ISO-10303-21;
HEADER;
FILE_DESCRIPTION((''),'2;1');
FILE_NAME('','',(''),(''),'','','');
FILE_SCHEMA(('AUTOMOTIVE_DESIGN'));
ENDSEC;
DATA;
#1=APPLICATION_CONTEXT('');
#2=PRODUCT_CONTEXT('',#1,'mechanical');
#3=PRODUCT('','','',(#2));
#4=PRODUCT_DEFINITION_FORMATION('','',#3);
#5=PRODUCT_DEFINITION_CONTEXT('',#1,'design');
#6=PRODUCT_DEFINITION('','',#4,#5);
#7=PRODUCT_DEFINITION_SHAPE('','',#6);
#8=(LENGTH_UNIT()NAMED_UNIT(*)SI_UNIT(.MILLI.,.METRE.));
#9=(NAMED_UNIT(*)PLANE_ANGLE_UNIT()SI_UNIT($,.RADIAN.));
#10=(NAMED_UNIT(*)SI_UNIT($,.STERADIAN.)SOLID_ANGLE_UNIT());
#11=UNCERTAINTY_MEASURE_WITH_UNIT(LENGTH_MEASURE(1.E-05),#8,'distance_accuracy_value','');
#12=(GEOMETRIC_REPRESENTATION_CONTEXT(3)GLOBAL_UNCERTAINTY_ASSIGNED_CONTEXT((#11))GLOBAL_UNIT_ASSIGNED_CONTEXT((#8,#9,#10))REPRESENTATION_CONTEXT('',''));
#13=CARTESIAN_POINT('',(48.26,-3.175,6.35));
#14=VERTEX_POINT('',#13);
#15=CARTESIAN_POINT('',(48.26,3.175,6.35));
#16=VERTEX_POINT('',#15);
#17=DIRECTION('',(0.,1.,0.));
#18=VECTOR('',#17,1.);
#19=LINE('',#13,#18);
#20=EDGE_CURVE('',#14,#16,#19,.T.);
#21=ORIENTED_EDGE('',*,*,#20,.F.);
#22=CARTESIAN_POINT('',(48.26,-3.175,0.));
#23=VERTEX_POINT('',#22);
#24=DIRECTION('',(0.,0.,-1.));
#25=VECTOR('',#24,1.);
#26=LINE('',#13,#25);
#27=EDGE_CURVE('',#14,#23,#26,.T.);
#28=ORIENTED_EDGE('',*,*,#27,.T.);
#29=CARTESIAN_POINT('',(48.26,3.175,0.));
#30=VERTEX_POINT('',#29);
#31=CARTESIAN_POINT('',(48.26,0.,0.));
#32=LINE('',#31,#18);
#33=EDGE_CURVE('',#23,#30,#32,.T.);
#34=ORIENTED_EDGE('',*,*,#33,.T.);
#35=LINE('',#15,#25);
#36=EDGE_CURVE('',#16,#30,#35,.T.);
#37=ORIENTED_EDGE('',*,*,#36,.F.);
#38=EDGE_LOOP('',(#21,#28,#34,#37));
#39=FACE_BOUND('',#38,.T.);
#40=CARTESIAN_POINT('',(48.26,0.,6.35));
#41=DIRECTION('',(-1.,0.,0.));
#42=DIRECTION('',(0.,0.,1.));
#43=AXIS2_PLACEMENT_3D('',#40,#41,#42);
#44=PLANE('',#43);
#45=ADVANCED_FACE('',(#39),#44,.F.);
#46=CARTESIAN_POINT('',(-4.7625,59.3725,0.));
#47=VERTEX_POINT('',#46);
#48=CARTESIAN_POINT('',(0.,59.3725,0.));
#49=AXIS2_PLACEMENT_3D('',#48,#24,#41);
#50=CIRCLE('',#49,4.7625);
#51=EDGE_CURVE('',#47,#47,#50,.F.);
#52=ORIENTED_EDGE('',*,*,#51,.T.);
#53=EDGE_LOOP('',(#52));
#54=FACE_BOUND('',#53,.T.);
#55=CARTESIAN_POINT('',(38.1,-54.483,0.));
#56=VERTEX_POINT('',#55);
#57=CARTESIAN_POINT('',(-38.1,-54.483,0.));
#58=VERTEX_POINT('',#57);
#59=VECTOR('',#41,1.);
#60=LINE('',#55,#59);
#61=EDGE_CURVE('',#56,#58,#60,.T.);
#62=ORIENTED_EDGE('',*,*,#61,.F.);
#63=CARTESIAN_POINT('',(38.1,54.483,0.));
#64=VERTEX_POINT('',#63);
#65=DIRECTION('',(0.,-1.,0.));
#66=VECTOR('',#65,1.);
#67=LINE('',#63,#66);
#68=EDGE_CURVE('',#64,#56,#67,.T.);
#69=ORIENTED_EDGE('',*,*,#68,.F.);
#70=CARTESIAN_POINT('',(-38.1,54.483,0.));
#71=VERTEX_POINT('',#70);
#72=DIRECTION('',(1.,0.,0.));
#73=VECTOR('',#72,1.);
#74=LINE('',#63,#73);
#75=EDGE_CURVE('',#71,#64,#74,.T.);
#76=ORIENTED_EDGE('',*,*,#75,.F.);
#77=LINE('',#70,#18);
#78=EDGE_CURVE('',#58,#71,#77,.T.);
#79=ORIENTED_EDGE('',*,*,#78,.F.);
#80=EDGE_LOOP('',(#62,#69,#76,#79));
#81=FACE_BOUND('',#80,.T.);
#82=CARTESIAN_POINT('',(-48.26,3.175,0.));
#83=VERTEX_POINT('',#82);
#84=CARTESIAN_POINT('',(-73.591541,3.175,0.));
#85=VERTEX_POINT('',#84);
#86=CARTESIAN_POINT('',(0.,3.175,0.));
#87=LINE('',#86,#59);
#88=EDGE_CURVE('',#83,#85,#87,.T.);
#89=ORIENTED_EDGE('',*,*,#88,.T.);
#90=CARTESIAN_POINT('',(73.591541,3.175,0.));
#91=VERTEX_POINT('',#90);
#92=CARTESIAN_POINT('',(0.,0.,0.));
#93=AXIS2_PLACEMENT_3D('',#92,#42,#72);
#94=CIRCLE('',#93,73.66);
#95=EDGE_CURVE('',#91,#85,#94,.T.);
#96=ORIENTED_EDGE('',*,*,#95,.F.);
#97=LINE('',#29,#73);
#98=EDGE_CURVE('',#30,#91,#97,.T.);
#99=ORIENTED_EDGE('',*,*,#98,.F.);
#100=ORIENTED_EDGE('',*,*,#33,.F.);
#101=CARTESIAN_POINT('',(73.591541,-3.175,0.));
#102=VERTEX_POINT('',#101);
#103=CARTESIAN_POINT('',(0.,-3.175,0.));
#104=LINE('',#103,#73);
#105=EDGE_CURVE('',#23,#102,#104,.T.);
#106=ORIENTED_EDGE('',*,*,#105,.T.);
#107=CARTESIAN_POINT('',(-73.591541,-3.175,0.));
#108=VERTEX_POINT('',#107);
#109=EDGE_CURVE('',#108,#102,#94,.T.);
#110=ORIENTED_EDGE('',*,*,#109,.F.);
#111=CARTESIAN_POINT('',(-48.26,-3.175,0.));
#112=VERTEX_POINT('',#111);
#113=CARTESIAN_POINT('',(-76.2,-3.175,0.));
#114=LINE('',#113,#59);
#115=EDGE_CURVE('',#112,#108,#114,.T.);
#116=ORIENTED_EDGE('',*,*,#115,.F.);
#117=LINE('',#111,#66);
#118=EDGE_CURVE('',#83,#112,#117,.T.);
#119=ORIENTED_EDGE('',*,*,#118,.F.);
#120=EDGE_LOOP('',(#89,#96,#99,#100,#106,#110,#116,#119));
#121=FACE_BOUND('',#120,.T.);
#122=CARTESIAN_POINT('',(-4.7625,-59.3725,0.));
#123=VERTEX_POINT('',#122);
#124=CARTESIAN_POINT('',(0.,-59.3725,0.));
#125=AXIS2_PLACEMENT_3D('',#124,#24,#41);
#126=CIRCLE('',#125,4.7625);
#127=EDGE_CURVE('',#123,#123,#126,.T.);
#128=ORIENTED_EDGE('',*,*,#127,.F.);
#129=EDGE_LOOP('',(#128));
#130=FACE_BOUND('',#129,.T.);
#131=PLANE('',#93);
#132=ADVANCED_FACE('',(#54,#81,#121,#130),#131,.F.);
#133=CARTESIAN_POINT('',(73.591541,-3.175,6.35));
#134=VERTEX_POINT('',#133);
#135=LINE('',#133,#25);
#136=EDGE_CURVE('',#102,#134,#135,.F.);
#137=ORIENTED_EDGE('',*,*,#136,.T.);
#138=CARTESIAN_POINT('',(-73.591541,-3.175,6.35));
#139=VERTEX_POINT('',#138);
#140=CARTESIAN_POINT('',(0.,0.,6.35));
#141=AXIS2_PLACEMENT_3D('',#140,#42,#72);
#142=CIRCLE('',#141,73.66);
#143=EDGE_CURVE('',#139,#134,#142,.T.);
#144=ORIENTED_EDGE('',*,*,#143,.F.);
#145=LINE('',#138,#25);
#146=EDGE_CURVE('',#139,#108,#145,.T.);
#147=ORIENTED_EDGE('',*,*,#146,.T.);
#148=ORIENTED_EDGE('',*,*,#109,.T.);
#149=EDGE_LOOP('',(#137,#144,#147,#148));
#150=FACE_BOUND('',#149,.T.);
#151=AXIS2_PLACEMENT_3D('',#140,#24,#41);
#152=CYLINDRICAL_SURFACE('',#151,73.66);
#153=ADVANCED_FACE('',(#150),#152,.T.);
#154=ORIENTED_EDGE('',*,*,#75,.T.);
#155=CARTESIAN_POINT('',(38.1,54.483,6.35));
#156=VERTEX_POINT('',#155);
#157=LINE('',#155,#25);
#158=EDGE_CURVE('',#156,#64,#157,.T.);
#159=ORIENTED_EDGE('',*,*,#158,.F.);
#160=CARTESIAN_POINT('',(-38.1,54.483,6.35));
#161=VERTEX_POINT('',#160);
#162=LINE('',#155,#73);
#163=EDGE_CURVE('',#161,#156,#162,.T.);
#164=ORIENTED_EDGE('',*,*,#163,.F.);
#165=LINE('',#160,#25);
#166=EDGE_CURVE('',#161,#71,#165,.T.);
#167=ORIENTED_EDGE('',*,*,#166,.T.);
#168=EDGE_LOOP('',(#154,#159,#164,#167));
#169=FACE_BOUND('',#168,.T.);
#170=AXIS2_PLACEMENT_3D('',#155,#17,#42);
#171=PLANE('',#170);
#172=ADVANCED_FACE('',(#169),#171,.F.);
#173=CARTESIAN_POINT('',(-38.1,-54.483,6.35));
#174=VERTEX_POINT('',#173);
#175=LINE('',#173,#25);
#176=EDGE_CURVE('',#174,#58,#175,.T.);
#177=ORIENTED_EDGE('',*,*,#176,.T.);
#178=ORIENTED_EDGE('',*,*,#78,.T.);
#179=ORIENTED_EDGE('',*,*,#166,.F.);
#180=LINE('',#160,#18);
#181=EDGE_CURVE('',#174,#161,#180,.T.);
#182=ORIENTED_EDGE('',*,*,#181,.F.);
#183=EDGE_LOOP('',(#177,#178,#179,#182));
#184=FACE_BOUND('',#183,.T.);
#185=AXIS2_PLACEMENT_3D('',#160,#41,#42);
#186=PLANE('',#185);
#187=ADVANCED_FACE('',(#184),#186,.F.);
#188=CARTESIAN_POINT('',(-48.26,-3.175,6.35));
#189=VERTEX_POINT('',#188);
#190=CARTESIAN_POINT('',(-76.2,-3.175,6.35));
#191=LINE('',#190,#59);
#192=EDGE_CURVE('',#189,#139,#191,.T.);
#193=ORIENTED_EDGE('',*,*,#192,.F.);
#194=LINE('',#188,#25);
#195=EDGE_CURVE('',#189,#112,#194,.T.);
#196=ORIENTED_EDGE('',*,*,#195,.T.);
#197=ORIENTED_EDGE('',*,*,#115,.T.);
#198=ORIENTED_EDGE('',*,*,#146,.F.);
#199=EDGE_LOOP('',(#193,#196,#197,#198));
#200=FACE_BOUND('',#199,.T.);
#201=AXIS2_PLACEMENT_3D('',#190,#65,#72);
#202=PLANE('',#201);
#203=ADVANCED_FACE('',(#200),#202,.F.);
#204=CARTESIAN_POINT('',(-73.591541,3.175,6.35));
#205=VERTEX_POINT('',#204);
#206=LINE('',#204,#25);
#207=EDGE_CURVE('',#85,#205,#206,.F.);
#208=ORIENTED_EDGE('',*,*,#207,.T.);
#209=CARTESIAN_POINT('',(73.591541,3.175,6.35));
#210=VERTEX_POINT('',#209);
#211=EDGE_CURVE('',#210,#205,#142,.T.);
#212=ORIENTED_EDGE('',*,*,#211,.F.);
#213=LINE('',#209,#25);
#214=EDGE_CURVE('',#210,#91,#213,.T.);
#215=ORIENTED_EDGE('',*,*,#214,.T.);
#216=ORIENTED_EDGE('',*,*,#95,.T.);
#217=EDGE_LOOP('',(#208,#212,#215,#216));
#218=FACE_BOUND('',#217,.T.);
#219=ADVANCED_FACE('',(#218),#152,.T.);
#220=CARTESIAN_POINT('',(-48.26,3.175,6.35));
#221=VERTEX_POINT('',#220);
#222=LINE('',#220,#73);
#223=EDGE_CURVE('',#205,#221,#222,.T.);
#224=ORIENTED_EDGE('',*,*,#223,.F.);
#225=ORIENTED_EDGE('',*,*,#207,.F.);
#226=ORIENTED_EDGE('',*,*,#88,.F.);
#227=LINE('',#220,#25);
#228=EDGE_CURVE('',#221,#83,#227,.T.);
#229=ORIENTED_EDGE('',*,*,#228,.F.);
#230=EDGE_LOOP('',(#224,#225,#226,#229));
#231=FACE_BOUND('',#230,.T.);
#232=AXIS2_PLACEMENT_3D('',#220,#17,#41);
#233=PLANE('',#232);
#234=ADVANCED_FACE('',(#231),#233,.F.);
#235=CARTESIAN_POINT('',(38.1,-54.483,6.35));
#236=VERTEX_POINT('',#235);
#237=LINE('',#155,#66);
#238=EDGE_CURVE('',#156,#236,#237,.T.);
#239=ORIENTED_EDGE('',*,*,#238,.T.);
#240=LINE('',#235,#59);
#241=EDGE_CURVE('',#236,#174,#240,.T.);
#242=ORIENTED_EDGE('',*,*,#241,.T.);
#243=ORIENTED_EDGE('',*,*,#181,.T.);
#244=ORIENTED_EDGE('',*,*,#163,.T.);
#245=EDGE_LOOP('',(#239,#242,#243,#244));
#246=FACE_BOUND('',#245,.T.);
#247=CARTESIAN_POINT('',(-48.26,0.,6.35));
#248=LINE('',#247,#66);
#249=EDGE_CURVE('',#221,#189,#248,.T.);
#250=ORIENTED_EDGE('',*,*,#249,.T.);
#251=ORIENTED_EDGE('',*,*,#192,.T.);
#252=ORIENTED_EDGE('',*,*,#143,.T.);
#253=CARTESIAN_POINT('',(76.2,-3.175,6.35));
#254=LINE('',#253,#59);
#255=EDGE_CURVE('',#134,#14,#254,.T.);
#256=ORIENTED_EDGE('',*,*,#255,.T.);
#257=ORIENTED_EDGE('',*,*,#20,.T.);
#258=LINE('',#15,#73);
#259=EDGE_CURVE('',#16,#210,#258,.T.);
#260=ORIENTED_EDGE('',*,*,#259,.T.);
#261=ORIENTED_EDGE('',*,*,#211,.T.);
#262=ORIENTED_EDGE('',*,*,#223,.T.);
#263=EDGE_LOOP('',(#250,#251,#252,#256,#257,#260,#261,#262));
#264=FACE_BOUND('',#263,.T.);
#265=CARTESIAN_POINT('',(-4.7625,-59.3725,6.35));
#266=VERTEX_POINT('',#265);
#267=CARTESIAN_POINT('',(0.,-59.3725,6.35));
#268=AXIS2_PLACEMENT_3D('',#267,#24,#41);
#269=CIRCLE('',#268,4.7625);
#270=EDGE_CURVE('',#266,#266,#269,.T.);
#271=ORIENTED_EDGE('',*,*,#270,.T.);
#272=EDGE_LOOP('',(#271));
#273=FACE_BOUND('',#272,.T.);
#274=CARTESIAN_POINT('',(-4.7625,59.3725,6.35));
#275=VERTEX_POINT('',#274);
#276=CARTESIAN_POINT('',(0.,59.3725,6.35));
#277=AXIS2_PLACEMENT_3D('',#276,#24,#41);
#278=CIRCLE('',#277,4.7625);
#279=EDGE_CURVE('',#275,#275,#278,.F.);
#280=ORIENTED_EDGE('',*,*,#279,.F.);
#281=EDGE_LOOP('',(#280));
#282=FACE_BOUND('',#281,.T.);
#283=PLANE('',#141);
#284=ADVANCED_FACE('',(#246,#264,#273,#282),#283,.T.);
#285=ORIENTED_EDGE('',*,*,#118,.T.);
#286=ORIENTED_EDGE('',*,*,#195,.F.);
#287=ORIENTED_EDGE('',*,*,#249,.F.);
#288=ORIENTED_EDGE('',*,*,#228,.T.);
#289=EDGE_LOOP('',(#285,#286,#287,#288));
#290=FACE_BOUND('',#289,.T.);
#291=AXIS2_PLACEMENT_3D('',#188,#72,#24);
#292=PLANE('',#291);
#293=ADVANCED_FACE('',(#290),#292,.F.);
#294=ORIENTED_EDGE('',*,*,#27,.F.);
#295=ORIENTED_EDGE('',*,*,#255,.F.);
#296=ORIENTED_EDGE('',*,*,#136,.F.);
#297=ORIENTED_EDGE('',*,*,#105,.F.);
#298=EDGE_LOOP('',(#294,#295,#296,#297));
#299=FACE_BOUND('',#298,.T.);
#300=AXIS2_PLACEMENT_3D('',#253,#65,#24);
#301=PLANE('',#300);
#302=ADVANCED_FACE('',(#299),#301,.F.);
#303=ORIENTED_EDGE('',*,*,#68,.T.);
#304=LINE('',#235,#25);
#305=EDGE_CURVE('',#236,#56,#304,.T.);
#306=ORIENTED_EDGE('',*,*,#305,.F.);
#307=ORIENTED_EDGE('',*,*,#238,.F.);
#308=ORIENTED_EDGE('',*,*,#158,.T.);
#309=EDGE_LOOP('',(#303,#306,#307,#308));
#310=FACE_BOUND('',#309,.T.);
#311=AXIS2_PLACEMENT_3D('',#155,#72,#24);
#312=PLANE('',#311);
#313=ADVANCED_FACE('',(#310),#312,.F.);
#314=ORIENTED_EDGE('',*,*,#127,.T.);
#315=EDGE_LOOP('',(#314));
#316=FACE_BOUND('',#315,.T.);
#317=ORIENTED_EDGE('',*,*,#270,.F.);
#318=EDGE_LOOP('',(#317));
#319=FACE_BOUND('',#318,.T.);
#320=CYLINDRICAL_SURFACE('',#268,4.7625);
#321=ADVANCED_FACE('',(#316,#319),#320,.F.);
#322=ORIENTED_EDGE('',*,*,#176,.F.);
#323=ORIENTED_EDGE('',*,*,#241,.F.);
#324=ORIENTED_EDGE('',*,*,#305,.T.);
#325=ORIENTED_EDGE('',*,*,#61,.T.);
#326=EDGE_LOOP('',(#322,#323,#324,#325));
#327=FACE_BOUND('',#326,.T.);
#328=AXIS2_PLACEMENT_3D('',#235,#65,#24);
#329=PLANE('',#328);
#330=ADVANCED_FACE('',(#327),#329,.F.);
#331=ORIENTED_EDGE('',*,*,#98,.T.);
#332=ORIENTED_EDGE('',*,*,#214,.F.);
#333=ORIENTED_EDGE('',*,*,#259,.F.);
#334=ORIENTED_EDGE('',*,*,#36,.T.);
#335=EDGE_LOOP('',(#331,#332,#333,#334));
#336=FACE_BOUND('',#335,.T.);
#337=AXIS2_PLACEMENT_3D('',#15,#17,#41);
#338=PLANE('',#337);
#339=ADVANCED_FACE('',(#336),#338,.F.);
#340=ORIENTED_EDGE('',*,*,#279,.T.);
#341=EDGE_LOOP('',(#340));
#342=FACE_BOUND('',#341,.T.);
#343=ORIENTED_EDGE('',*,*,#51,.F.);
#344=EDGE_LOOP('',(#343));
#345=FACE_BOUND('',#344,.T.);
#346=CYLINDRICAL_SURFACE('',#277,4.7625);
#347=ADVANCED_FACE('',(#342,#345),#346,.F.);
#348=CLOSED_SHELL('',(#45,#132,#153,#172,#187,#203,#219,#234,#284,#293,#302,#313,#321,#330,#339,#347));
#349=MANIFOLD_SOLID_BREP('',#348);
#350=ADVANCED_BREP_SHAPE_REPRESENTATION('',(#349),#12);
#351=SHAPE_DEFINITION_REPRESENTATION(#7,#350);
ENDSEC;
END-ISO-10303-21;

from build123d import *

# Parameters (mm, degrees)
SKETCH1_R           = 73.66
BOSS_EXTRUDE1_DEPTH = 6.35
CUT_EXTRUDE1_DEPTH  = 7.35
SKETCH4_R           = 4.7625
CUT_EXTRUDE2_DEPTH  = 7.35
SKETCH5_W           = 76.2
SKETCH5_H           = 108.966
CUT_EXTRUDE5_DEPTH  = 7.35


with BuildPart() as part:
    # Sketch1 → Boss-Extrude1 (new body)
    with BuildSketch(Plane.XY):
        Circle(SKETCH1_R)
    extrude(amount=BOSS_EXTRUDE1_DEPTH)

    # Sketch2 → Cut-Extrude1 (cut, through all)
    with BuildSketch(Plane(origin=(0, 0, 0), x_dir=(-1, 0, 0), z_dir=(0, 0, -1))):
        Polygon((-48.26, 0), (-48.26, 3.175), (-76.2, 3.175), (-76.2, -3.175), (-48.26, -3.175), align=None)
        Polygon((48.26, -3.175), (48.26, 0), (48.26, 3.175), (76.2, 3.175), (76.2, -3.175), align=None)
    extrude(amount=-CUT_EXTRUDE1_DEPTH, mode=Mode.SUBTRACT)

    # Sketch4 → Cut-Extrude2 (cut, through all)
    with BuildSketch(Plane(origin=(0, 0, 0), x_dir=(-1, 0, 0), z_dir=(0, 0, -1))):
        with Locations((0, -59.3725)):
            Circle(SKETCH4_R)
        with Locations((0, 59.3725)):
            Circle(SKETCH4_R)
    extrude(amount=-CUT_EXTRUDE2_DEPTH, mode=Mode.SUBTRACT)

    # Sketch5 → Cut-Extrude5 (cut, through all)
    with BuildSketch(Plane(origin=(0, 0, 0), x_dir=(-1, 0, 0), z_dir=(0, 0, -1))):
        Rectangle(SKETCH5_W, SKETCH5_H)
    extrude(amount=-CUT_EXTRUDE5_DEPTH, mode=Mode.SUBTRACT)


solid = part.part
